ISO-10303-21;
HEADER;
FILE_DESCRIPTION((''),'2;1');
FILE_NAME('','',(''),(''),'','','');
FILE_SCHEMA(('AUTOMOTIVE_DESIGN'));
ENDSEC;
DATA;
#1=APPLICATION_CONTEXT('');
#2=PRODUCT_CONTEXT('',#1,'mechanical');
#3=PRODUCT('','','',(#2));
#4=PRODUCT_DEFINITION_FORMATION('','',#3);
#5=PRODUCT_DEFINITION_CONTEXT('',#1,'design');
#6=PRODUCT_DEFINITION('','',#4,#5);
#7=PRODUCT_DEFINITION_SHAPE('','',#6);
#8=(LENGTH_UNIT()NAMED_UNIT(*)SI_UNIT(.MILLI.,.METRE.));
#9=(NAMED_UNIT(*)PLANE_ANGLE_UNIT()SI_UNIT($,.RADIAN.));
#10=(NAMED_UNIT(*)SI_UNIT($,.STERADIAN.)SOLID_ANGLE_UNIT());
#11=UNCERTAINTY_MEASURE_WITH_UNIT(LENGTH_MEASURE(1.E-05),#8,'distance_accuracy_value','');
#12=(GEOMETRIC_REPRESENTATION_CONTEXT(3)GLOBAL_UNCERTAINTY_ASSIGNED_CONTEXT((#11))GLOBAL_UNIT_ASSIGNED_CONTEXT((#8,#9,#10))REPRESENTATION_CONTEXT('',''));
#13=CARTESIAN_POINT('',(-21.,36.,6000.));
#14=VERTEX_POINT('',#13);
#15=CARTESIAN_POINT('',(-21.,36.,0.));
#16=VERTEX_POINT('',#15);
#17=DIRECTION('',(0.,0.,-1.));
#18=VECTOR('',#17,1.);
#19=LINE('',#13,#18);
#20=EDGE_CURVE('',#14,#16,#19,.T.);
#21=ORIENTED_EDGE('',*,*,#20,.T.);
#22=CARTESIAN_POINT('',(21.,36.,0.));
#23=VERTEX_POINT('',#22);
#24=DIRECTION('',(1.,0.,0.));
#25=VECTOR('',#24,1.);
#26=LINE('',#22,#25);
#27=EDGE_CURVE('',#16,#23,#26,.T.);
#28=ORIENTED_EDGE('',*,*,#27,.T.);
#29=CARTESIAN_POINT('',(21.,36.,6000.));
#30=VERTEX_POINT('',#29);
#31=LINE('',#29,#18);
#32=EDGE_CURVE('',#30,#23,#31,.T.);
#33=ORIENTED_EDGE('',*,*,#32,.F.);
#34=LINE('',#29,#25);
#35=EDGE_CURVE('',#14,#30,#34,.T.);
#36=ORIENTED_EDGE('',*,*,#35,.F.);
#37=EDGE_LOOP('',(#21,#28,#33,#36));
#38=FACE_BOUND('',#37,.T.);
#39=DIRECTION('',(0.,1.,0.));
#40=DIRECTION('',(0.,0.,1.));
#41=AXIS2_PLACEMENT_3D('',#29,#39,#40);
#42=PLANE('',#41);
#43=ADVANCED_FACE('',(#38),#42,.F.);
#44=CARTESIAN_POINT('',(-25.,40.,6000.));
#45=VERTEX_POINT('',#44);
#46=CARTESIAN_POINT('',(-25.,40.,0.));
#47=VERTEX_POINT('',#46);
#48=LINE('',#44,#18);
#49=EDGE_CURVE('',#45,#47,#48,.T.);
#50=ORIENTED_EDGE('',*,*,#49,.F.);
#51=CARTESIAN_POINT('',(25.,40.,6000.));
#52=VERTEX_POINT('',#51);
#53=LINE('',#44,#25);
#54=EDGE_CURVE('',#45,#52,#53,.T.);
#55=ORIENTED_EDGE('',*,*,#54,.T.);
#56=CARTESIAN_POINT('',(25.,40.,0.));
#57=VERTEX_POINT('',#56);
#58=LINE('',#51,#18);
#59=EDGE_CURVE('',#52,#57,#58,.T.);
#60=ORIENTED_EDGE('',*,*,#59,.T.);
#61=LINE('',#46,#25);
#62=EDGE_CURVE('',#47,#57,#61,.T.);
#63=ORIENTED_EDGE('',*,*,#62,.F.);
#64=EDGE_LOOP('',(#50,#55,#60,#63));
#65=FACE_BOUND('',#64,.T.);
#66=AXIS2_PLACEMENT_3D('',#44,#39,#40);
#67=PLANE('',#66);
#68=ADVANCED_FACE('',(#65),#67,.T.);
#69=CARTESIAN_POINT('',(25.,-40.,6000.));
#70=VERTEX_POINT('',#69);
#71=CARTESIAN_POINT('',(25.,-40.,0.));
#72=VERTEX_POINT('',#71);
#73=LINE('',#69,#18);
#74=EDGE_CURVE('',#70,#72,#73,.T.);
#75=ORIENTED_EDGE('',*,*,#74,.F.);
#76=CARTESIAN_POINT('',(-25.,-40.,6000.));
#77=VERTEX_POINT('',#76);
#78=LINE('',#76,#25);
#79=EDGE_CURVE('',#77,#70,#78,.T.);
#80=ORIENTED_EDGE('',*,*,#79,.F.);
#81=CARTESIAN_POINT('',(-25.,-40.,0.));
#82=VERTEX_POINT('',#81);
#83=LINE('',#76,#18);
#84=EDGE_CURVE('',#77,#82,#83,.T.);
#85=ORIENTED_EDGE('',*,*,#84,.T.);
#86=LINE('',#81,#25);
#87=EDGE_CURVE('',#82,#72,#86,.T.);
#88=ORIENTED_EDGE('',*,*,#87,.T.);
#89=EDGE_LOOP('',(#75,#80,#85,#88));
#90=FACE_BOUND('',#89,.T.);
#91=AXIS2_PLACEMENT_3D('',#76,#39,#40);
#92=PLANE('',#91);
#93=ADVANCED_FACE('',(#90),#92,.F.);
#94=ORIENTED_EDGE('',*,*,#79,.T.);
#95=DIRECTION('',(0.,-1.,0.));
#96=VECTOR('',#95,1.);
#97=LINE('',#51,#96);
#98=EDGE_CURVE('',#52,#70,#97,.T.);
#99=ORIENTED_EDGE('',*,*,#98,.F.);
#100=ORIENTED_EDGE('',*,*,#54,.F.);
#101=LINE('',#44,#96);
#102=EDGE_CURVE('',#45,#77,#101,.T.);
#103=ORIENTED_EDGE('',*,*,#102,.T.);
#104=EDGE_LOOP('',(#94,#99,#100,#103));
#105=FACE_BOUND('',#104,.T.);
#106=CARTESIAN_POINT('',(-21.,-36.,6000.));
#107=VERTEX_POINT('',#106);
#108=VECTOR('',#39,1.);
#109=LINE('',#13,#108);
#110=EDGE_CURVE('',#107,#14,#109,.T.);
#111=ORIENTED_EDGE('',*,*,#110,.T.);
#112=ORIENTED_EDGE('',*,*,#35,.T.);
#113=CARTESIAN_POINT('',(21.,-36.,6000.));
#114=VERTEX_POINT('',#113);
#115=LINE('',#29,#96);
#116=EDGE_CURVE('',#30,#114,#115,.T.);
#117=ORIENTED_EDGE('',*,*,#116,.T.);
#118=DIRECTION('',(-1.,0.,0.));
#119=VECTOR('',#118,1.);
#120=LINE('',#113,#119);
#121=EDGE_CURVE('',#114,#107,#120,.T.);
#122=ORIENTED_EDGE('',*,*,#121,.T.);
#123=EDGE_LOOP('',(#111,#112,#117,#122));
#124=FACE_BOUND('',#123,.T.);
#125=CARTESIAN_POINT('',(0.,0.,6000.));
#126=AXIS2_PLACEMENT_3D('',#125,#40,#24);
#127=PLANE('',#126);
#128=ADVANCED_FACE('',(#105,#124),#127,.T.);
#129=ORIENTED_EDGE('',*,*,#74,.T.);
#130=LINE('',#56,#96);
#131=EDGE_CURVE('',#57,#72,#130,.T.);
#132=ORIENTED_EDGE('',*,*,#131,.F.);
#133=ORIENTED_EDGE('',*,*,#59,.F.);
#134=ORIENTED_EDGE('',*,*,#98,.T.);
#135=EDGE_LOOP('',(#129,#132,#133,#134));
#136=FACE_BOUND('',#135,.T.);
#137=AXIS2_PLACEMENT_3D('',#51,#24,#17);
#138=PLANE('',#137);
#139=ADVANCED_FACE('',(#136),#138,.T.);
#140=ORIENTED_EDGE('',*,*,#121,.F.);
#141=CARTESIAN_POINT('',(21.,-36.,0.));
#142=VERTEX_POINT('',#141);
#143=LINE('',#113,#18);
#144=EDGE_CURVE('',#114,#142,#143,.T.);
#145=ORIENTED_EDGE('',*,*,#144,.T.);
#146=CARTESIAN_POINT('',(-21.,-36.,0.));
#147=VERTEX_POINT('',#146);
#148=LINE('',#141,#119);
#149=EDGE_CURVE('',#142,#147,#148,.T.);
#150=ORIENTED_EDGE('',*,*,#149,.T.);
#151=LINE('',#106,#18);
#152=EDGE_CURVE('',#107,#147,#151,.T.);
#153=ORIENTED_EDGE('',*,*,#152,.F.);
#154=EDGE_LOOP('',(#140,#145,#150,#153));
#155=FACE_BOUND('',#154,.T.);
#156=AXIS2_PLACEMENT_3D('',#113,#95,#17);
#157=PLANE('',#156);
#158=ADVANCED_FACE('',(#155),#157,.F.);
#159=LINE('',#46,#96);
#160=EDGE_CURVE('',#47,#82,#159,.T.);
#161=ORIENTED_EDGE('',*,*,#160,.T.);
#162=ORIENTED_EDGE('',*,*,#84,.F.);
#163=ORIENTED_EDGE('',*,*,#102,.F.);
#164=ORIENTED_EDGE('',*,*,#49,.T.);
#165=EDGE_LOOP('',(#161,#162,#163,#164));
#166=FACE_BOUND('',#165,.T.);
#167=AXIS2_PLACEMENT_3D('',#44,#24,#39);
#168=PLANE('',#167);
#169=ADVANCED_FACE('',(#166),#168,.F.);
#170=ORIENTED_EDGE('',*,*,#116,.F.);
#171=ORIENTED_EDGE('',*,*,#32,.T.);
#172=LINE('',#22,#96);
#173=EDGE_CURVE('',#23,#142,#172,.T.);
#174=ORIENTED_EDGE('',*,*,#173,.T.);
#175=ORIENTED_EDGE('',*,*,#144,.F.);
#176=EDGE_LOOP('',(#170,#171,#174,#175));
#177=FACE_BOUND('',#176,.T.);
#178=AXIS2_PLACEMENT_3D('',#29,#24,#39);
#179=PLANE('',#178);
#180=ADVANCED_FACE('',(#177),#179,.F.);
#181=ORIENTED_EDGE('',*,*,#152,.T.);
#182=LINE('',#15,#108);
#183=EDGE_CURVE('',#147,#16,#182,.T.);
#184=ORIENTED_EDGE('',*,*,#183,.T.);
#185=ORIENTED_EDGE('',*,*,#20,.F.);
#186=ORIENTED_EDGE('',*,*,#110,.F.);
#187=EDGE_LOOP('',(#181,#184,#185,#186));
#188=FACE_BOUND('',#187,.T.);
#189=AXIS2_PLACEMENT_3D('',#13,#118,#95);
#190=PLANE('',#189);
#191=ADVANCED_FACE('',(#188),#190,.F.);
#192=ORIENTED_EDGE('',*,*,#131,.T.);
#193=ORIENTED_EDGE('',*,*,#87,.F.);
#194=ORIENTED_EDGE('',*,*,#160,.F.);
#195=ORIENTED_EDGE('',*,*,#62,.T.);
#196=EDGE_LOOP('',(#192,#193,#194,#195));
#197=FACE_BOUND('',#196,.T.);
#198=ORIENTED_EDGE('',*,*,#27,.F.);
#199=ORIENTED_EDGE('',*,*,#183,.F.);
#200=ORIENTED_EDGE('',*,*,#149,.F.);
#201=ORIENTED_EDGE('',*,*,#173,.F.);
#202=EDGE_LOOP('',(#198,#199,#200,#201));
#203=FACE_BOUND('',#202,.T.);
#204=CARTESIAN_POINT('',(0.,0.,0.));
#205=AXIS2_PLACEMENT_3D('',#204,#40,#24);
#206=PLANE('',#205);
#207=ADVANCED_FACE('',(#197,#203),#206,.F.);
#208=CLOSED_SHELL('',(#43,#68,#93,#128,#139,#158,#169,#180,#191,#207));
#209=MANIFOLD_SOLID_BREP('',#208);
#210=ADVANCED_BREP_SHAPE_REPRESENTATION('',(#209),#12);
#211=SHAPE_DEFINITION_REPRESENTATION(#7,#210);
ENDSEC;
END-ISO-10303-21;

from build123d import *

# Parameters (mm, degrees)
SKETCH1_W           = 50
SKETCH1_H           = 80
BOSS_EXTRUDE1_DEPTH = 6000
SKETCH2_W           = 42
SKETCH2_H           = 72
CUT_EXTRUDE1_DEPTH  = 6000


with BuildPart() as part:
    # Sketch1 → Boss-Extrude1 (new body)
    with BuildSketch(Plane.XY):
        Rectangle(SKETCH1_W, SKETCH1_H)
    extrude(amount=BOSS_EXTRUDE1_DEPTH)

    # Sketch2 → Cut-Extrude1 (cut)
    with BuildSketch(Plane(origin=(0, 0, 0), x_dir=(-1, 0, 0), z_dir=(0, 0, -1))):
        Rectangle(SKETCH2_W, SKETCH2_H)
    extrude(amount=-CUT_EXTRUDE1_DEPTH, mode=Mode.SUBTRACT)


solid = part.part
